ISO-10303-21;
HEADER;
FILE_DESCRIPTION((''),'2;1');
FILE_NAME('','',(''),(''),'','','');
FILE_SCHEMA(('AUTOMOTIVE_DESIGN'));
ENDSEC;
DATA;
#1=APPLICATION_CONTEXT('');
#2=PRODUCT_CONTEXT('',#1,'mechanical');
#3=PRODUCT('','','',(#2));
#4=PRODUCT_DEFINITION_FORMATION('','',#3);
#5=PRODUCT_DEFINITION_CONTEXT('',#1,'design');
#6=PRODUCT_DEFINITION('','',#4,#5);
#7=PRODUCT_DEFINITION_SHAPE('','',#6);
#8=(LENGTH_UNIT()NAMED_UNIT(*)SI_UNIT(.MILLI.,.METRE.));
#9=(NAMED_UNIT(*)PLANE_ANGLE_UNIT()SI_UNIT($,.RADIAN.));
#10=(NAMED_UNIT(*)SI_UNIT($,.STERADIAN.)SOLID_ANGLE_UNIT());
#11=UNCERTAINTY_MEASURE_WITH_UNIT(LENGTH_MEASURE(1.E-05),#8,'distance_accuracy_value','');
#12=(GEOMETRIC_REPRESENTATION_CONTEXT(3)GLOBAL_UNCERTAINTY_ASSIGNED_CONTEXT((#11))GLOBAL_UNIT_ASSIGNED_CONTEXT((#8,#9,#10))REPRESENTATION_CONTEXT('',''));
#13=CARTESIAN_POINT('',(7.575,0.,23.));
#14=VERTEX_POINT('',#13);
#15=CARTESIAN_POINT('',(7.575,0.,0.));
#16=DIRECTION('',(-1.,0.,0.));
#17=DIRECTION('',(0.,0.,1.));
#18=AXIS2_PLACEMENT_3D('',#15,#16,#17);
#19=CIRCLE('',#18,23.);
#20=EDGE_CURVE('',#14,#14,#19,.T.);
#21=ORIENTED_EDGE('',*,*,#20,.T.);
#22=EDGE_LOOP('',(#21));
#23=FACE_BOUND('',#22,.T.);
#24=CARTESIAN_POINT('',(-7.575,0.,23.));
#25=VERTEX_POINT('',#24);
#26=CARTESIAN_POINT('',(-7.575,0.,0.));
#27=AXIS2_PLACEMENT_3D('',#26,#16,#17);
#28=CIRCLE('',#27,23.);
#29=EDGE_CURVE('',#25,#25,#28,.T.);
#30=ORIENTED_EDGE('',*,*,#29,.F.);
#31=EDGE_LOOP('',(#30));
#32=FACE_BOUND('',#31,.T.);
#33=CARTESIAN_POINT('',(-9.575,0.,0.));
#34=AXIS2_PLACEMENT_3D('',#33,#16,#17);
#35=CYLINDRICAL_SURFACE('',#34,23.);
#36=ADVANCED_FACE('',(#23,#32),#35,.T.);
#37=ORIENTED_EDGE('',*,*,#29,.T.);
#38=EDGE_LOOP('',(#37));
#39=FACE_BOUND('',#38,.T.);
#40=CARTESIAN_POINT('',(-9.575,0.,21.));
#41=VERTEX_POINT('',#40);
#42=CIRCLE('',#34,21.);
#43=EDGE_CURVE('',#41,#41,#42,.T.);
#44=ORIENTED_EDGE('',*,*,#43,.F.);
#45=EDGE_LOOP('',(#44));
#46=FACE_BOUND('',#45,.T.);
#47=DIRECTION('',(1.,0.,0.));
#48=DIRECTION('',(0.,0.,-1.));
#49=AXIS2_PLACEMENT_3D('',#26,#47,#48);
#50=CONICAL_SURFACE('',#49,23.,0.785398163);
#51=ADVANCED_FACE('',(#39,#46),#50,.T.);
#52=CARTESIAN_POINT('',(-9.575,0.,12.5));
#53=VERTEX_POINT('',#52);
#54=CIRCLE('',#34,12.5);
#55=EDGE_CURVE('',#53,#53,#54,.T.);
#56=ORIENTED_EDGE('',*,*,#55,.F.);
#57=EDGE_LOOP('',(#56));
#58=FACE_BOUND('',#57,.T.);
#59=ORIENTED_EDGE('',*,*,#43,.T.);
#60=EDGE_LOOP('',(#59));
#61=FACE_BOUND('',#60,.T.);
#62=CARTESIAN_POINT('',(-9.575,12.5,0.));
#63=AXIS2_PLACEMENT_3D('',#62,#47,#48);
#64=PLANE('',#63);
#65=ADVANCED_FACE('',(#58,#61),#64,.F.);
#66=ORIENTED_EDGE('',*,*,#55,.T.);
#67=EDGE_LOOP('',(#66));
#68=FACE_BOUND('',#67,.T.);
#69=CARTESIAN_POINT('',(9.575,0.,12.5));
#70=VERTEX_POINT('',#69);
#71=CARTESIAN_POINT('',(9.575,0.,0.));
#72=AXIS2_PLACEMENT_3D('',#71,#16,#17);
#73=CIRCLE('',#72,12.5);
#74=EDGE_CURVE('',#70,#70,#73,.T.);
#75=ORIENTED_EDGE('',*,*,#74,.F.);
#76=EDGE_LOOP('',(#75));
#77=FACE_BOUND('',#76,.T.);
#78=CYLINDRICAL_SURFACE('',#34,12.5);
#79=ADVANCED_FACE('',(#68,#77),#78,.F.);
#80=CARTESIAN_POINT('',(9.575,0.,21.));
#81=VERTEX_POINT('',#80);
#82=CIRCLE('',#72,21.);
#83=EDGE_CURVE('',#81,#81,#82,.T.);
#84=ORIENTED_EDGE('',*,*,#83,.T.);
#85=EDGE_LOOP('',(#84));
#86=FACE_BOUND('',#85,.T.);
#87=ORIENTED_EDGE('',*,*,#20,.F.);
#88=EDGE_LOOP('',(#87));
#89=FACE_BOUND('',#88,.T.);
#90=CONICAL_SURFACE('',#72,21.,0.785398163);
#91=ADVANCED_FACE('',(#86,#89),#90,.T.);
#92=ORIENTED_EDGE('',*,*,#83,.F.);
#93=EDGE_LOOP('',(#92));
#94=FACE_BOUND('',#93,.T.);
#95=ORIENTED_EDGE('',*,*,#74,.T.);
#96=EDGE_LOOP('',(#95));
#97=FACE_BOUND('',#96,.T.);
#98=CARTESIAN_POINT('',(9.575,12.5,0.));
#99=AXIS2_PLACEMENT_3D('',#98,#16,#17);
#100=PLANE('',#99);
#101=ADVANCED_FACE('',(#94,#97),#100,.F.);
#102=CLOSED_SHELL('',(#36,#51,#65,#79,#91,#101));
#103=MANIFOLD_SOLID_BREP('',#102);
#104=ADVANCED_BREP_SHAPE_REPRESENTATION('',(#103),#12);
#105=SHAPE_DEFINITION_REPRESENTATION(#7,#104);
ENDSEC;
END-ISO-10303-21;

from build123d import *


with BuildPart() as part:
    # Esboço1 → Revolução1 (revolve)
    with BuildSketch(Plane.XY, mode=Mode.PRIVATE) as revolu_o1_sk:
        Polygon((-9.575, 21), (-7.575, 23), (7.575, 23), (9.575, 21), (9.575, 12.5), (-9.575, 12.5), align=None)
    revolve(revolu_o1_sk.sketch.rotate(Axis((-9.575, 0, 0), (1, 0, 0)), 90), axis=Axis((-9.575, 0, 0), (1, 0, 0)))


solid = part.part
